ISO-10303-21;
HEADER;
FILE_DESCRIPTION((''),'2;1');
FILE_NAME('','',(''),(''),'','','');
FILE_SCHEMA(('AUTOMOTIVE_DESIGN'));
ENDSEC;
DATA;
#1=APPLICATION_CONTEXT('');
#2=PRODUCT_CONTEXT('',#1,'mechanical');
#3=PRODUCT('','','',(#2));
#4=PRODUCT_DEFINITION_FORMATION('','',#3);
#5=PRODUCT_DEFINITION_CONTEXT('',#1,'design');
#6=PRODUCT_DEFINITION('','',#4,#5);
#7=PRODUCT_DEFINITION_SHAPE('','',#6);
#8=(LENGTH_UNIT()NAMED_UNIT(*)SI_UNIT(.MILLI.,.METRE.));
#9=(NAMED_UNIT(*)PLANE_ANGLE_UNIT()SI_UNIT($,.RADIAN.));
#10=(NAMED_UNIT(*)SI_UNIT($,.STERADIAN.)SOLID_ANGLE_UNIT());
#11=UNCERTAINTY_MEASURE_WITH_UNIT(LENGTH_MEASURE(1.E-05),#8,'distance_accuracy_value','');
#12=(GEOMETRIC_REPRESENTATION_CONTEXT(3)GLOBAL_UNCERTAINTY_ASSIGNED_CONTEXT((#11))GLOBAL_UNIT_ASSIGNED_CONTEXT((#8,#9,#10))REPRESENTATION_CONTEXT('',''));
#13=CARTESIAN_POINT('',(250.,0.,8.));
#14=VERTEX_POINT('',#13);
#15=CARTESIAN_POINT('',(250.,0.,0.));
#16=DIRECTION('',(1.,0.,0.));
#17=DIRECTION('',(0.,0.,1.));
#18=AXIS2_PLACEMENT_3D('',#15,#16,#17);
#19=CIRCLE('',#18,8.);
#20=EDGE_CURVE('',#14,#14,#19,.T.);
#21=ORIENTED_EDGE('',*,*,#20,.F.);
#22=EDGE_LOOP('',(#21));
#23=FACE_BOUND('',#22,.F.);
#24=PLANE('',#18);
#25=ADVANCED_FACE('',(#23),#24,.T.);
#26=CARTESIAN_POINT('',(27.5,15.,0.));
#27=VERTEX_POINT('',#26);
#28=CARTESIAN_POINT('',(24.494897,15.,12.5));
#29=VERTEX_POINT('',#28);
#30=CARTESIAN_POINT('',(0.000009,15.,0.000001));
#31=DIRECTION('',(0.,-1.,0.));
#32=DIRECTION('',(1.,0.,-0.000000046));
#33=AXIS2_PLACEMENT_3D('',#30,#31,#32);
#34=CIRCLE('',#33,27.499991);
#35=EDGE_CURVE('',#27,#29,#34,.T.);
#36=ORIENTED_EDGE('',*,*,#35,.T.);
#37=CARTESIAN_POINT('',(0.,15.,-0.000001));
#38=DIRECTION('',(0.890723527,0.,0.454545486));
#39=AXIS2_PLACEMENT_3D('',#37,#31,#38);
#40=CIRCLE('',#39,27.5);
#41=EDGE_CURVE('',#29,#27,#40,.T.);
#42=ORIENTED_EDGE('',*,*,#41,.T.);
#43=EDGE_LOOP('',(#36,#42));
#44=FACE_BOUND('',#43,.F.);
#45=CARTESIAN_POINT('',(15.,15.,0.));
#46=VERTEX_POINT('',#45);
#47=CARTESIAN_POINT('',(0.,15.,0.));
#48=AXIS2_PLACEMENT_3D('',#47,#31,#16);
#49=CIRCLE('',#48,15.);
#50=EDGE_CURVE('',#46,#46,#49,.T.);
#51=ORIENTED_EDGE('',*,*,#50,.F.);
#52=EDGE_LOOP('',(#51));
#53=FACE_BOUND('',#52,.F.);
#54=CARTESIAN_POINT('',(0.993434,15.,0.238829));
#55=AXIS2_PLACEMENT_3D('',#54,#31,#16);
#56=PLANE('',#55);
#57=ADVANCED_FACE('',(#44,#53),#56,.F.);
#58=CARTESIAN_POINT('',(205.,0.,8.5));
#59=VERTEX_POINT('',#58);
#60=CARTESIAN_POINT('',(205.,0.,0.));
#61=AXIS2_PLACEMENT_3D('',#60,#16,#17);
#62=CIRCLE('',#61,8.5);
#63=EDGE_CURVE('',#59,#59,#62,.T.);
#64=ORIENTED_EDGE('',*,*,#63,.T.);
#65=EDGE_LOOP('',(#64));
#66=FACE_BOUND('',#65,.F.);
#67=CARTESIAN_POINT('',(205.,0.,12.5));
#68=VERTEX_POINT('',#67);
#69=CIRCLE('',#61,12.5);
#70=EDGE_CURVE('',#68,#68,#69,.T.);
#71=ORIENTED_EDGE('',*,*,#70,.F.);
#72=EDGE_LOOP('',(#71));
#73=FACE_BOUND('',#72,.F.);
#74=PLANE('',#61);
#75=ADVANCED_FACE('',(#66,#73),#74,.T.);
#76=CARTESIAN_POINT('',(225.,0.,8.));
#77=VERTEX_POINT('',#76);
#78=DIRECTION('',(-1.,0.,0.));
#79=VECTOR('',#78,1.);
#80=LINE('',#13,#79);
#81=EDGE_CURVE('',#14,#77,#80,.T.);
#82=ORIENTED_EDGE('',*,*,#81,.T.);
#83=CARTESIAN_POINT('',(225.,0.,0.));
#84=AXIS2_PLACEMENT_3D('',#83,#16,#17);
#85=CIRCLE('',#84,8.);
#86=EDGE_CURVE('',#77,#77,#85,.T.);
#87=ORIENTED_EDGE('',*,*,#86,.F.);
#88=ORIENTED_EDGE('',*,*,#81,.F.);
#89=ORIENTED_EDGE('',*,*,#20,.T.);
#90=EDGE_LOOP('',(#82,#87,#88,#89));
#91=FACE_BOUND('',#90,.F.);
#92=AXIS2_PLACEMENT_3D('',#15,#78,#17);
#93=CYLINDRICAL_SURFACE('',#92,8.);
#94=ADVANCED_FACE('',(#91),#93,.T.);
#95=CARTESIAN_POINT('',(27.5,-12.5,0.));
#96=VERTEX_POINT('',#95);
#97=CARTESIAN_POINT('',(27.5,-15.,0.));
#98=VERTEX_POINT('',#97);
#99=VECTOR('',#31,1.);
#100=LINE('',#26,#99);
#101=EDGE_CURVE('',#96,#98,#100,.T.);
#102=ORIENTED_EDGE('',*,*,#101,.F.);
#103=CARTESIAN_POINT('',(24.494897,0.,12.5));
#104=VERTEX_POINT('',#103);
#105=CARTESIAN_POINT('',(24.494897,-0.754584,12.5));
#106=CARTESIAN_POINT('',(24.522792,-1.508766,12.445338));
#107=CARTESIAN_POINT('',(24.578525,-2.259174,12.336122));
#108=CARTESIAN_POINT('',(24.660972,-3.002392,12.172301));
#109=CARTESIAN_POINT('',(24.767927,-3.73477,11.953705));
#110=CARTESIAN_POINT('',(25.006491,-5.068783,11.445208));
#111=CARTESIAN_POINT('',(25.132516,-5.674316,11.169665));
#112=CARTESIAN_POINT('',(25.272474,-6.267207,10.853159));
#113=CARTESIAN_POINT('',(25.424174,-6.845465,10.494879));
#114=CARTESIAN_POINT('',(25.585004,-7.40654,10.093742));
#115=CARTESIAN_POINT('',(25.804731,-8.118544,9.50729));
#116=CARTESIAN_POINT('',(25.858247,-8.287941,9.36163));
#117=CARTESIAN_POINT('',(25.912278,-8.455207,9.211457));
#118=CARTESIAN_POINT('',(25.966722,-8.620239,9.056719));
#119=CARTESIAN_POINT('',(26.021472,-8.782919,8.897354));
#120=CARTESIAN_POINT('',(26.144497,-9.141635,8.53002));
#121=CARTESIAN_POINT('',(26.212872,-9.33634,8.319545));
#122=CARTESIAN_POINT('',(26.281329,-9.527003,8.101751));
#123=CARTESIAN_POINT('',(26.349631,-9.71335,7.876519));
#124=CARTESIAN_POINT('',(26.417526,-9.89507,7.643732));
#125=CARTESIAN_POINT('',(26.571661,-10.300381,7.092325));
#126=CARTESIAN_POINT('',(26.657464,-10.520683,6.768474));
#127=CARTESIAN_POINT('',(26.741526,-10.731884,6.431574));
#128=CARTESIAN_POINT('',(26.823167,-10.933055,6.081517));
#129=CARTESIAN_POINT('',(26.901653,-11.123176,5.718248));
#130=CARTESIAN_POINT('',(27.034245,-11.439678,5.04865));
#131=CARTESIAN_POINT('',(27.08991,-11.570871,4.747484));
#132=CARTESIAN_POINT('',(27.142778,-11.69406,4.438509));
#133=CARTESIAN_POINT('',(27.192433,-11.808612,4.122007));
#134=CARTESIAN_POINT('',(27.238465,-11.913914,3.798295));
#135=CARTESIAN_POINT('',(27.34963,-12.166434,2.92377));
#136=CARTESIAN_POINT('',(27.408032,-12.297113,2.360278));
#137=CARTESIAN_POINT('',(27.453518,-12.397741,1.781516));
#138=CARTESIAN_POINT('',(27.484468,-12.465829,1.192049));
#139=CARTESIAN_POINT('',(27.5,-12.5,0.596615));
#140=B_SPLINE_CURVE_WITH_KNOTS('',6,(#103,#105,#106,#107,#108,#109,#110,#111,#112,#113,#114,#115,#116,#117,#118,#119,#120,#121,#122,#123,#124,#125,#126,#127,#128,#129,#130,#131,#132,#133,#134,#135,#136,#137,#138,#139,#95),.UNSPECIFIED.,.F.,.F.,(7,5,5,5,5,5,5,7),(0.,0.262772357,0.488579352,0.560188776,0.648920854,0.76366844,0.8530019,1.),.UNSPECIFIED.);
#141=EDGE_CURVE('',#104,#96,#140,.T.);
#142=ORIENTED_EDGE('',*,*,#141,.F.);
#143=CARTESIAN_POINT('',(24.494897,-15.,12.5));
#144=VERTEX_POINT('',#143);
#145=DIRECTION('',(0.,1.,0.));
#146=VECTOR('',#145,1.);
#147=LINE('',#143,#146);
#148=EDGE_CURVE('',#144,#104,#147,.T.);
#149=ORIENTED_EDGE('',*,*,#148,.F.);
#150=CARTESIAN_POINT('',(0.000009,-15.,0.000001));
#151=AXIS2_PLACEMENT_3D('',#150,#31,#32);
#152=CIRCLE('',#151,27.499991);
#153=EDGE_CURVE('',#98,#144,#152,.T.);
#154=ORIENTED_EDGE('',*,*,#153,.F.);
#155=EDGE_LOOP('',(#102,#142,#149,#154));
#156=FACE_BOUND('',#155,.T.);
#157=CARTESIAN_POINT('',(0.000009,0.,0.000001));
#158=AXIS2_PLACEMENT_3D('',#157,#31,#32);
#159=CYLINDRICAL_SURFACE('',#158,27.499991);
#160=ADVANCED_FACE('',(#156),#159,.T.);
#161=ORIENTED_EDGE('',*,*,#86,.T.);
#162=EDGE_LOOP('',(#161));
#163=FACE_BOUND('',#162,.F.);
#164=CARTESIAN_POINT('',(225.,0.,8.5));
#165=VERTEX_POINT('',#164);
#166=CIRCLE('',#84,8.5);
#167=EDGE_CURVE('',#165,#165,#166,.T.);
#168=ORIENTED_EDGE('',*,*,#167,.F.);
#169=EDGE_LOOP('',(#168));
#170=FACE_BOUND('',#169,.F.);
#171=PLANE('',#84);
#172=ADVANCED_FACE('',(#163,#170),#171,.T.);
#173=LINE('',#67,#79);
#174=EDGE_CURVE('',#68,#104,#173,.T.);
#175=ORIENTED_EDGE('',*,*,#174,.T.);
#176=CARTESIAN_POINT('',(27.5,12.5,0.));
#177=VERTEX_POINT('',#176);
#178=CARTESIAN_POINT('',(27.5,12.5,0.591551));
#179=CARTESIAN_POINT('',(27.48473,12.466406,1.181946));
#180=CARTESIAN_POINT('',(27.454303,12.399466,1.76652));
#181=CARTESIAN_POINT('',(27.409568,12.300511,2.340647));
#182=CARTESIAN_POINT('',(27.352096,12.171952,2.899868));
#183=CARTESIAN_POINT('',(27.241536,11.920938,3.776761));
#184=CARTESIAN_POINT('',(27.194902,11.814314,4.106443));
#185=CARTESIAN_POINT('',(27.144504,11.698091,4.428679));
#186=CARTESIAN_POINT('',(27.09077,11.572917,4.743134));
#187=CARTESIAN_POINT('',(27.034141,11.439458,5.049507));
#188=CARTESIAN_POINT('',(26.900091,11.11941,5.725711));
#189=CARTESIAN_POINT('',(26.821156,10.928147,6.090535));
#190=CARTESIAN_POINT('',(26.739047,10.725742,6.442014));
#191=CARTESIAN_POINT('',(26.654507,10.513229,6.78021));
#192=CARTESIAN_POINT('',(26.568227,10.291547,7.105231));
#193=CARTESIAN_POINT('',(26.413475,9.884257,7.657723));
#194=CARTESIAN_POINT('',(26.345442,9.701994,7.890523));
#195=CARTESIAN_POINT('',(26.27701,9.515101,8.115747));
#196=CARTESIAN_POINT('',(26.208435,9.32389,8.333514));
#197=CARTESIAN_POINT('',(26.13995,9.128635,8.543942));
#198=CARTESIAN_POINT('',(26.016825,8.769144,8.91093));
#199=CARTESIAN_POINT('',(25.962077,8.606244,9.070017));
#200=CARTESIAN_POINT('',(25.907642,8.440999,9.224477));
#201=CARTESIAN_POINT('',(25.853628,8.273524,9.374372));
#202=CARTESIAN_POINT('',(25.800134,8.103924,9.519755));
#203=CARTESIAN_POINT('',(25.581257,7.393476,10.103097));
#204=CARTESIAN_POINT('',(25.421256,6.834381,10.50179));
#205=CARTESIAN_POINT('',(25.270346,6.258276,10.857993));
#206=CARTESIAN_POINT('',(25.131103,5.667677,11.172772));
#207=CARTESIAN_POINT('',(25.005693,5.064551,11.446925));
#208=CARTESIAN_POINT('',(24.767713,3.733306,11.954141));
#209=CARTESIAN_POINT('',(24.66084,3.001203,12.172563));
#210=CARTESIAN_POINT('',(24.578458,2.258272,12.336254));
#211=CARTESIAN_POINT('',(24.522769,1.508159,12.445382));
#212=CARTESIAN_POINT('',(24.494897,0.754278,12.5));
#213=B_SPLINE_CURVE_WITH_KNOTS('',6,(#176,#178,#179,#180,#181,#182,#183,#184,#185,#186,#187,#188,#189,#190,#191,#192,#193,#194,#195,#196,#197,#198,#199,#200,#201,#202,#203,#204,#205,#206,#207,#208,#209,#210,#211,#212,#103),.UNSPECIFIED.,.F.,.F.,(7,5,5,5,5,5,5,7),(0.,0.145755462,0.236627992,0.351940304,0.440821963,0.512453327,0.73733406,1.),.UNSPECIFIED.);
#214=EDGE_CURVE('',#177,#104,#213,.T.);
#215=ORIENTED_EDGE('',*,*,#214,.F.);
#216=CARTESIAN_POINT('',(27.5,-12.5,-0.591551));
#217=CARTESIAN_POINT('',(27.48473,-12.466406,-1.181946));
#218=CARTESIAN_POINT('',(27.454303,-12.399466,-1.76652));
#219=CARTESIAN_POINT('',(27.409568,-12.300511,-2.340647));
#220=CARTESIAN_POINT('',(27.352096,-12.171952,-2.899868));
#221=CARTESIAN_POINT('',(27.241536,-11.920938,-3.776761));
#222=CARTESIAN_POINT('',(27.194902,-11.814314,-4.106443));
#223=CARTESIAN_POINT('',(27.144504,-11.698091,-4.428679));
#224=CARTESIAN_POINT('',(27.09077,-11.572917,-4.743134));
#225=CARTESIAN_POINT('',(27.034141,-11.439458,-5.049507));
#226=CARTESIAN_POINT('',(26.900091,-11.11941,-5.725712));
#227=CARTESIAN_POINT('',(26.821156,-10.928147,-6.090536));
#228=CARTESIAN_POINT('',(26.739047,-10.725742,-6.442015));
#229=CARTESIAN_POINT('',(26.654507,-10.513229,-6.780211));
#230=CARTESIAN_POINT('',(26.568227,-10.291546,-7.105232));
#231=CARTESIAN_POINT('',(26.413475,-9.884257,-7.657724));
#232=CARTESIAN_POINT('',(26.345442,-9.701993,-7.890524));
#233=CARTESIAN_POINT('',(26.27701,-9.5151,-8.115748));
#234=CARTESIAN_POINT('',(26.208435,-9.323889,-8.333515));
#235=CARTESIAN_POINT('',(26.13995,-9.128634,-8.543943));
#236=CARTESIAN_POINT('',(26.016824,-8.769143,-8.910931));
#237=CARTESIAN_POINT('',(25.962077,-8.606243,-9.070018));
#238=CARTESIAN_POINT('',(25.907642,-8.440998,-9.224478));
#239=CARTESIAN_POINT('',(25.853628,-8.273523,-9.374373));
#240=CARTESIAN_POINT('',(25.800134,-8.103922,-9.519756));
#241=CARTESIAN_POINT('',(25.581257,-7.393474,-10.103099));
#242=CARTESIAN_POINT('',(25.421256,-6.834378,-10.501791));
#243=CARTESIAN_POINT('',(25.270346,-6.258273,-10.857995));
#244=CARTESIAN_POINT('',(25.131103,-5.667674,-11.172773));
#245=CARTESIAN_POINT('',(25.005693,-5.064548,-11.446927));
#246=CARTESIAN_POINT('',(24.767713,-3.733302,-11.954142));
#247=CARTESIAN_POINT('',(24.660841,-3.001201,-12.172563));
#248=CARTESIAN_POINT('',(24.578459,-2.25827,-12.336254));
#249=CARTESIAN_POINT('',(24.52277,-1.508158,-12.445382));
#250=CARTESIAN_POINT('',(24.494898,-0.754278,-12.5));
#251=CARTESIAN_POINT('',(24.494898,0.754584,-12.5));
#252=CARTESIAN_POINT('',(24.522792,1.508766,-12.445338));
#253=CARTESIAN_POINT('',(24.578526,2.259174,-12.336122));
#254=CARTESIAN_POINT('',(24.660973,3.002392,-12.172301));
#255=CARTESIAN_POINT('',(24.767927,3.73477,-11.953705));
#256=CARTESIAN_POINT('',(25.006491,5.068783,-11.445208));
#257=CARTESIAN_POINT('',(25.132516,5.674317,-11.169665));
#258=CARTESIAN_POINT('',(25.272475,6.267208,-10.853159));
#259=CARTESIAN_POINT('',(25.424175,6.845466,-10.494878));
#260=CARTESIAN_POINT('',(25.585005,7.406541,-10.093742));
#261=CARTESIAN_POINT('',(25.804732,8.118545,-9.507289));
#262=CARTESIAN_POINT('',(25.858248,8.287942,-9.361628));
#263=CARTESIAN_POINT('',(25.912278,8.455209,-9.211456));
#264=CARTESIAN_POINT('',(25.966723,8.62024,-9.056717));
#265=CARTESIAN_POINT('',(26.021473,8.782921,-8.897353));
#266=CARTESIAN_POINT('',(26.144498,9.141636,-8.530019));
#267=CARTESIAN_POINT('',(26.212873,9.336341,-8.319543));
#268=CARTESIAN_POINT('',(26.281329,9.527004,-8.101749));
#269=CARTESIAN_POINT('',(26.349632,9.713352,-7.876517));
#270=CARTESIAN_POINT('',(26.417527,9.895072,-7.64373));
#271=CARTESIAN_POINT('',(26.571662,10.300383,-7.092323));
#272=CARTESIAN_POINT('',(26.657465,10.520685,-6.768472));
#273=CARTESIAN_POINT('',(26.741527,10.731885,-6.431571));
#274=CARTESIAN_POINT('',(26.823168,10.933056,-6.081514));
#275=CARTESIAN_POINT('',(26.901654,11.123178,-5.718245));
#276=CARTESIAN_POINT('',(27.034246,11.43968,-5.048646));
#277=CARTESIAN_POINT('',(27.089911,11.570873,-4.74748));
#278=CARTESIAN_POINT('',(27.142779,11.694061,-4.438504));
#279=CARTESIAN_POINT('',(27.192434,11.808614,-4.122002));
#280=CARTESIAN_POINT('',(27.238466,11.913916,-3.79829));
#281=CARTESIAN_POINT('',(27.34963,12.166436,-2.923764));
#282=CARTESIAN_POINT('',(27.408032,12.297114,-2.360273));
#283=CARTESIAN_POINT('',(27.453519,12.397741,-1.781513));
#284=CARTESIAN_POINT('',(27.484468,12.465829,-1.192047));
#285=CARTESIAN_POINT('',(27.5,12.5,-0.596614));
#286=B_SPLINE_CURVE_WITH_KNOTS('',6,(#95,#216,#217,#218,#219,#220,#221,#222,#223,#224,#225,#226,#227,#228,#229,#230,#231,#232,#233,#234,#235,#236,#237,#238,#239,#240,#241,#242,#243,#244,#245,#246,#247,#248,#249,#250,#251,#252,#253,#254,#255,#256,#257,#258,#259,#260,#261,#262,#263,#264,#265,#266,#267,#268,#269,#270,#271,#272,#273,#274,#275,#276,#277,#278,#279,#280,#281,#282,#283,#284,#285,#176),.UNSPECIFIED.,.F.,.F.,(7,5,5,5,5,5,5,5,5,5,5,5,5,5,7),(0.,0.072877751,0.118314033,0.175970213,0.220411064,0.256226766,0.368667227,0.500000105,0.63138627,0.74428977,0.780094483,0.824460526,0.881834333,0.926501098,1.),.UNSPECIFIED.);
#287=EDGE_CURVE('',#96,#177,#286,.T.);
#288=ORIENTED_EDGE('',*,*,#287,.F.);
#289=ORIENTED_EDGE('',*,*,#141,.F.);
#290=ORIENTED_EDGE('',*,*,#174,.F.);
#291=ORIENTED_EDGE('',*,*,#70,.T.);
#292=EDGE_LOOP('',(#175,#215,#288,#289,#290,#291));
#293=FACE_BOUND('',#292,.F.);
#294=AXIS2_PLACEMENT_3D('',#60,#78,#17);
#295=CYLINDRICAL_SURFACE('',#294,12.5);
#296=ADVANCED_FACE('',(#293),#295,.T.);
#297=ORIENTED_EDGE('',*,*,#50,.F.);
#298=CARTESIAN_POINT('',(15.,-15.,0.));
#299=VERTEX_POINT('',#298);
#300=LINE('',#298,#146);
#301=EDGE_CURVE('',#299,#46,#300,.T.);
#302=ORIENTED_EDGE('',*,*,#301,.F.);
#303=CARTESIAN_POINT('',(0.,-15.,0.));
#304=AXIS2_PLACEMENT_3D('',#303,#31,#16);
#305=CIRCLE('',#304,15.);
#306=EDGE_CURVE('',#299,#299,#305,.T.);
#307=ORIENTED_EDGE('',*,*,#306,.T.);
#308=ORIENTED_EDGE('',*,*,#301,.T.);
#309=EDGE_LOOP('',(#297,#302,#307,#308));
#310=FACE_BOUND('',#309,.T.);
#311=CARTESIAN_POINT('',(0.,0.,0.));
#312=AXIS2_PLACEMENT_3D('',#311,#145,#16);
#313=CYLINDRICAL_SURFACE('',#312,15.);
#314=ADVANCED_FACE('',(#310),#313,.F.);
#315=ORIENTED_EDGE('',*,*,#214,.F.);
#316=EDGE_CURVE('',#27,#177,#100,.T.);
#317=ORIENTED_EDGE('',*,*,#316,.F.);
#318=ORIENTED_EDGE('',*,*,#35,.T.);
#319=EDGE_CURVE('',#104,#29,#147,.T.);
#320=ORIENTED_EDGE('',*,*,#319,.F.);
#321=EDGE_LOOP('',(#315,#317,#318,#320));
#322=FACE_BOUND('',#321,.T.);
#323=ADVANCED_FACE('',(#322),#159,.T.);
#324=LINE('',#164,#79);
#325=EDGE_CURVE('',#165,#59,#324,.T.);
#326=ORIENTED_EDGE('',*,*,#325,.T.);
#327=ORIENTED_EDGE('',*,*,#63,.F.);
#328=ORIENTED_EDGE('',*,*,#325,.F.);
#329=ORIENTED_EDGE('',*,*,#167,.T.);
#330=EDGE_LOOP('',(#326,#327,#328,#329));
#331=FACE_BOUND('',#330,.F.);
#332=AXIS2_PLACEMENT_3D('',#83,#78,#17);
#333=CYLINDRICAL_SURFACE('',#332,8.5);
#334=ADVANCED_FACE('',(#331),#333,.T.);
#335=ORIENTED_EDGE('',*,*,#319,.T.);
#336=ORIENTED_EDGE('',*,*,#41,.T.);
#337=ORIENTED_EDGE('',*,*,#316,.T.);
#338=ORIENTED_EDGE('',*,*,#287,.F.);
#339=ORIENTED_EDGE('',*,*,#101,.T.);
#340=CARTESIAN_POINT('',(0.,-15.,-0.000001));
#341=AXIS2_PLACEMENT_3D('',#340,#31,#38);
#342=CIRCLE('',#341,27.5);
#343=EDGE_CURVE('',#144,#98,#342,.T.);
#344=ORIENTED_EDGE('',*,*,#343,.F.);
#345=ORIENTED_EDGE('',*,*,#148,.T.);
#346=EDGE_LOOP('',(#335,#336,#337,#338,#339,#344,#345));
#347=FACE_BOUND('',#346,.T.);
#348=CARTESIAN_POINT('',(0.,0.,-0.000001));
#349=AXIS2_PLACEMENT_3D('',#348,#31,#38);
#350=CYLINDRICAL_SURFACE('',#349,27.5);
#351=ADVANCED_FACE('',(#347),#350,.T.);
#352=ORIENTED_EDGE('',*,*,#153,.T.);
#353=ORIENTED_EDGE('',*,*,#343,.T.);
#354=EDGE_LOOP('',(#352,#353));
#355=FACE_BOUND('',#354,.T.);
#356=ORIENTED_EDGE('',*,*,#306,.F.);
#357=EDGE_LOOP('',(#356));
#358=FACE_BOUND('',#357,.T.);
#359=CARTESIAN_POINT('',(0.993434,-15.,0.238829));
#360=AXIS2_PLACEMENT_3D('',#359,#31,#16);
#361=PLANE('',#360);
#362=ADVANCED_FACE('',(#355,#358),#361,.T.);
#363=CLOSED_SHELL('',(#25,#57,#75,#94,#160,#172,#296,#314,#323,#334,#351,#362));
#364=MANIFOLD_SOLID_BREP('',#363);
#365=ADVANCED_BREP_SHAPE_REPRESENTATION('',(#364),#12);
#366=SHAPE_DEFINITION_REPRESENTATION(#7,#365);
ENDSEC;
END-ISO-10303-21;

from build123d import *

# Parameters (mm, degrees)
F0_R     = 15
F3_DEPTH = 15


with BuildPart() as f2:
    # F0 (on Front) → F2 (revolve)
    with BuildSketch(Plane.XZ):
        with BuildLine():
            ThreePointArc((24.494897, 12.5), (26.738172, 6.428076), (27.5, 0))
            Line((27.5, 0), (250, 0))
            Line((250, 0), (250, 8))
            Line((250, 8), (225, 8))
            Line((225, 8), (225, 8.5))
            Line((225, 8.5), (205, 8.5))
            Line((205, 8.5), (205, 12.5))
            Line((205, 12.5), (24.494897, 12.5))
        make_face()
    revolve(axis=Axis((125.488594, 0, 0), (1, 0, 0)))

    # F0 (on Front) → F3 (join, symmetric)
    with BuildSketch(Plane.XZ):
        with BuildLine():
            ThreePointArc((24.494897, 12.5), (-26.738172, -6.428076), (27.5, 0))
            ThreePointArc((27.5, 0), (26.738172, 6.428076), (24.494897, 12.5))
        make_face()
        Circle(F0_R, mode=Mode.SUBTRACT)
    extrude(amount=F3_DEPTH, both=True)


solid = f2.part
